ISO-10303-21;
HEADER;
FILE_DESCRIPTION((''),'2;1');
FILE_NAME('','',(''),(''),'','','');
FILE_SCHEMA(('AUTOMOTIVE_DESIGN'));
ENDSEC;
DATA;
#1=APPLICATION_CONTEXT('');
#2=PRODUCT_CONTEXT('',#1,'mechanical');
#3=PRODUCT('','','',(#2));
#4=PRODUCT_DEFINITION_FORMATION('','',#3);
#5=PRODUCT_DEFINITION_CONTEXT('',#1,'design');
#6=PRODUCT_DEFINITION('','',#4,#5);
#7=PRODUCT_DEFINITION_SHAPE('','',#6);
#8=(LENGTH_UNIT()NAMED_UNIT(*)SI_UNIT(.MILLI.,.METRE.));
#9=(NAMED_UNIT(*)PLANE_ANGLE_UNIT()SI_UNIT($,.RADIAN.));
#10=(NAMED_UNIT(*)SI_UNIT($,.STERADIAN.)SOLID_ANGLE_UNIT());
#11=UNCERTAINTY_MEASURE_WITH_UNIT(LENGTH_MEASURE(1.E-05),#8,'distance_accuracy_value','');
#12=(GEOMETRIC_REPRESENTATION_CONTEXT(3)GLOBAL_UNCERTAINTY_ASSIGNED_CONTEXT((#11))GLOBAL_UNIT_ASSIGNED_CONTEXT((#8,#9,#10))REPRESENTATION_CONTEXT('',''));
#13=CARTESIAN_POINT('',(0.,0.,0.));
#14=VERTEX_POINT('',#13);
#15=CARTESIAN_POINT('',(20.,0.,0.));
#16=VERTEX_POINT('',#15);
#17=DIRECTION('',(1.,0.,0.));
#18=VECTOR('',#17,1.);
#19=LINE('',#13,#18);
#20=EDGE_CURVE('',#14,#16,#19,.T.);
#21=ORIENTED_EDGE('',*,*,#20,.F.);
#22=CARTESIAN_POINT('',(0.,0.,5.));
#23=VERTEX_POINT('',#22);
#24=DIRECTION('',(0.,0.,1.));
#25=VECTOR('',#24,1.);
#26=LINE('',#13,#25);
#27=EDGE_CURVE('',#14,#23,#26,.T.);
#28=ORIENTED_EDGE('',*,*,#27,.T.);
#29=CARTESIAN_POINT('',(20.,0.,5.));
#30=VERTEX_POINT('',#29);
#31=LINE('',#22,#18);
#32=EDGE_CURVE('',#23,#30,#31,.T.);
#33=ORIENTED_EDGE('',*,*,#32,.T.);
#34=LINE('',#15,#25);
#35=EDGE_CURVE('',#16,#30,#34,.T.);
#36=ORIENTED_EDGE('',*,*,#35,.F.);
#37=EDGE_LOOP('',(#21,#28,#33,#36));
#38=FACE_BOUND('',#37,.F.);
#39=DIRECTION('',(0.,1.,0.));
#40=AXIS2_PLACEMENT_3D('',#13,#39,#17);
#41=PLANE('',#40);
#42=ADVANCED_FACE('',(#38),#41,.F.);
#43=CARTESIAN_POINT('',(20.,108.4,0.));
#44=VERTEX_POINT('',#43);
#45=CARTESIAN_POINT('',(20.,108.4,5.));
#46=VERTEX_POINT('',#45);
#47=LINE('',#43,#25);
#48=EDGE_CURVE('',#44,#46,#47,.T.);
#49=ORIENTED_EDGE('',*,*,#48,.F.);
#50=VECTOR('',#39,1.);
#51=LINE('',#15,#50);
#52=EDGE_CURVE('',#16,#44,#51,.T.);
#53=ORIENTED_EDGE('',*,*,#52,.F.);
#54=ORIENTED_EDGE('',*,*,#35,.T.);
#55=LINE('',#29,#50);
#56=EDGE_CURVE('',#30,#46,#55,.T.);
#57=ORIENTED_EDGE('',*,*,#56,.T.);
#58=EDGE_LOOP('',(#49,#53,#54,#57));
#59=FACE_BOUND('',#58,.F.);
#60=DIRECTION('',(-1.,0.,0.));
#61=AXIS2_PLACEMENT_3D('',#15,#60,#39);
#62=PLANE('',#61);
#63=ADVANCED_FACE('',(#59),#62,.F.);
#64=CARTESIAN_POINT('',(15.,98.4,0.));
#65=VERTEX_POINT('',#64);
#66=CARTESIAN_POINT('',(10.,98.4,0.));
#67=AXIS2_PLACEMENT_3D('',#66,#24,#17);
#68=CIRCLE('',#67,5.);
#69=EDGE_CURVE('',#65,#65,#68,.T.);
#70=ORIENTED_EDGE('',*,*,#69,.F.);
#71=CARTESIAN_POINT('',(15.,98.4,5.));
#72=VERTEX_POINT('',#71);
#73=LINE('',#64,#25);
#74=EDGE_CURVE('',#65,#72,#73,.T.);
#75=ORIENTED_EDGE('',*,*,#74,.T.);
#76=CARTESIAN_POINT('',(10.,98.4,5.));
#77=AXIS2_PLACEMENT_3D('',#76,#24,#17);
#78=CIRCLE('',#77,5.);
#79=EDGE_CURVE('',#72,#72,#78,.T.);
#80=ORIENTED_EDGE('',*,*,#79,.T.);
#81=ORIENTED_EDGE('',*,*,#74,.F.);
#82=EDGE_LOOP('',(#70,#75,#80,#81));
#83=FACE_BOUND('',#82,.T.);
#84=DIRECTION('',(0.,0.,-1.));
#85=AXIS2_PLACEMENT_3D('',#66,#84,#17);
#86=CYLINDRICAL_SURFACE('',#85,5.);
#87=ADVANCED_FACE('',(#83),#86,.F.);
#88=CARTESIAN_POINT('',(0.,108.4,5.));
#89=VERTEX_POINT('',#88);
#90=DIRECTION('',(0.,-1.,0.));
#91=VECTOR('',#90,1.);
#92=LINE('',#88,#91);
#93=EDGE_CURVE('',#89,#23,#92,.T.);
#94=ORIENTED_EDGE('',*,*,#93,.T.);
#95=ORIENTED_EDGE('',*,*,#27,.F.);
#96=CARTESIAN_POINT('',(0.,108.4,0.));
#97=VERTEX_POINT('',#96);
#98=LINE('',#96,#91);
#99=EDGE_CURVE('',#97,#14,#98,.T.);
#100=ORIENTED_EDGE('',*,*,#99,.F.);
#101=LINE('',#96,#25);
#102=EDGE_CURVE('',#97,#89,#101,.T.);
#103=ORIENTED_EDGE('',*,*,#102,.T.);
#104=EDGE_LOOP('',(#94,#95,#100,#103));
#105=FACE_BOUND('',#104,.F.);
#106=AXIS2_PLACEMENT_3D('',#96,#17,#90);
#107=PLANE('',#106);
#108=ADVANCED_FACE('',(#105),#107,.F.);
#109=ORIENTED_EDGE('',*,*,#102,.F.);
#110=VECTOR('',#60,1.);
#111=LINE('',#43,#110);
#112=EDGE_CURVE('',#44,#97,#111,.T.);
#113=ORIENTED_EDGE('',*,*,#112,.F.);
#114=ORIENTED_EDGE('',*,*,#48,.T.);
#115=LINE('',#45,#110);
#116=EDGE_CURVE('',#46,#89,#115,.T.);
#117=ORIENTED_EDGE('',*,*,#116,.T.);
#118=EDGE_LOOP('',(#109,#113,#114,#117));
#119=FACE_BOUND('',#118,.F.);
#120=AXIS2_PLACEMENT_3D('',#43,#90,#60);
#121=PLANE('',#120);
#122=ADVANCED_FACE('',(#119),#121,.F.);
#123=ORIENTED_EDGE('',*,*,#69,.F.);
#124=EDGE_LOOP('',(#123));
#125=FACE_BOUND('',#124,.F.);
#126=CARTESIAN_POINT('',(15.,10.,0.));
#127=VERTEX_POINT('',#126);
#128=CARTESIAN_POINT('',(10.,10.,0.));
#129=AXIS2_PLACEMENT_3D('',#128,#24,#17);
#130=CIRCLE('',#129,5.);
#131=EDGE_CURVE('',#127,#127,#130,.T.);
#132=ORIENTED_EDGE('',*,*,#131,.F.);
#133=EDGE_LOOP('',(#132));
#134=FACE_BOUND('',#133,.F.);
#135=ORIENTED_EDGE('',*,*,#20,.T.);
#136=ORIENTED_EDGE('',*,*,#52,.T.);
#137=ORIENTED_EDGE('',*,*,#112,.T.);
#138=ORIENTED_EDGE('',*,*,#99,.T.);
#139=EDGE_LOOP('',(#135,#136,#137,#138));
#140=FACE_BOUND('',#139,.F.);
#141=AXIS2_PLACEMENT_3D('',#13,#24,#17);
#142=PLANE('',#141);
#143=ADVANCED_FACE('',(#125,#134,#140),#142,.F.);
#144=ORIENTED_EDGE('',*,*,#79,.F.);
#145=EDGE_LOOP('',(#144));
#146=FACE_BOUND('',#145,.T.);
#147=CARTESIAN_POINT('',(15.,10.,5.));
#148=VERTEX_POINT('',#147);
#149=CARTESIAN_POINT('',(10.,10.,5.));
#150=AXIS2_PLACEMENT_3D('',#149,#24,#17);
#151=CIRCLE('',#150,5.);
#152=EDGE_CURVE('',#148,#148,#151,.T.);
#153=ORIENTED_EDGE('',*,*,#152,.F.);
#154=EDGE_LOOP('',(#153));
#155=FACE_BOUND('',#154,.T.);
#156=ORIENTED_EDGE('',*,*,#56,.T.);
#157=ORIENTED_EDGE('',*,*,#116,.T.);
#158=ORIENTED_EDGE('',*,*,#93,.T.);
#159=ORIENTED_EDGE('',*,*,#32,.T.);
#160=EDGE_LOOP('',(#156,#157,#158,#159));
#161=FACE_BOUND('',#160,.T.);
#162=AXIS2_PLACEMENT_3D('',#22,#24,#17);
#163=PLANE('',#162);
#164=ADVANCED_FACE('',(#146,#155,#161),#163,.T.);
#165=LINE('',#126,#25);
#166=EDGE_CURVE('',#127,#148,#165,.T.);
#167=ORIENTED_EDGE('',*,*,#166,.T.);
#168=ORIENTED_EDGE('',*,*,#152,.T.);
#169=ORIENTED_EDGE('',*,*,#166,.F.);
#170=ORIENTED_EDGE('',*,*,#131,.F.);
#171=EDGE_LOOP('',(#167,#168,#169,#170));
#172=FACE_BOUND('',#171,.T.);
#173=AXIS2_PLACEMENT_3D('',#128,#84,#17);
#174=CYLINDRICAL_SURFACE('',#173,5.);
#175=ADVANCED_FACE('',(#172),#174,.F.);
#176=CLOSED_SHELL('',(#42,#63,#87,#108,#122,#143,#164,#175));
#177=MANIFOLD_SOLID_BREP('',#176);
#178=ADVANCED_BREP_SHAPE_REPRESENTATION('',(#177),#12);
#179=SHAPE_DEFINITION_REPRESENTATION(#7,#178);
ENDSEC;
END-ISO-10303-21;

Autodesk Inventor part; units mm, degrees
ref_plane "YZ Plane" through (0, 0, 0) normal (1, 0, 0) x (0, 1, 0)
ref_plane "XZ Plane" through (0, 0, 0) normal (0, 1, 0) x (-1, 0, 0)
ref_plane "XY Plane" through (0, 0, 0) normal (0, 0, 1) x (1, 0, 0)
sketch "スケッチ1" plane through (0, 0, 0) normal (0, 0, 1) x (1, 0, 0)
  line L0 (0, 0) -> (20, 0)
  line L1 (20, 0) -> (20, 108.4)
  line L2 (20, 108.4) -> (0, 108.4)
  line L3 (0, 108.4) -> (0, 0)
  circle A0 centre (10, 98.4) radius 5
  circle A1 centre (10, 10) radius 5
  dimension "d0" = 20
  dimension "d1" = 108.4
  dimension "d2" = 10
  dimension "d3" = 10
  dimension "d4" = 10
  dimension "d5" = 10
  dimension "d6" = 10
  dimension "d7" = 10
extrude "押し出し1" add sketch "スケッチ1" along normal blind 5
properties part number "rocker_bogie_plate" material "アルミニウム 6061"
